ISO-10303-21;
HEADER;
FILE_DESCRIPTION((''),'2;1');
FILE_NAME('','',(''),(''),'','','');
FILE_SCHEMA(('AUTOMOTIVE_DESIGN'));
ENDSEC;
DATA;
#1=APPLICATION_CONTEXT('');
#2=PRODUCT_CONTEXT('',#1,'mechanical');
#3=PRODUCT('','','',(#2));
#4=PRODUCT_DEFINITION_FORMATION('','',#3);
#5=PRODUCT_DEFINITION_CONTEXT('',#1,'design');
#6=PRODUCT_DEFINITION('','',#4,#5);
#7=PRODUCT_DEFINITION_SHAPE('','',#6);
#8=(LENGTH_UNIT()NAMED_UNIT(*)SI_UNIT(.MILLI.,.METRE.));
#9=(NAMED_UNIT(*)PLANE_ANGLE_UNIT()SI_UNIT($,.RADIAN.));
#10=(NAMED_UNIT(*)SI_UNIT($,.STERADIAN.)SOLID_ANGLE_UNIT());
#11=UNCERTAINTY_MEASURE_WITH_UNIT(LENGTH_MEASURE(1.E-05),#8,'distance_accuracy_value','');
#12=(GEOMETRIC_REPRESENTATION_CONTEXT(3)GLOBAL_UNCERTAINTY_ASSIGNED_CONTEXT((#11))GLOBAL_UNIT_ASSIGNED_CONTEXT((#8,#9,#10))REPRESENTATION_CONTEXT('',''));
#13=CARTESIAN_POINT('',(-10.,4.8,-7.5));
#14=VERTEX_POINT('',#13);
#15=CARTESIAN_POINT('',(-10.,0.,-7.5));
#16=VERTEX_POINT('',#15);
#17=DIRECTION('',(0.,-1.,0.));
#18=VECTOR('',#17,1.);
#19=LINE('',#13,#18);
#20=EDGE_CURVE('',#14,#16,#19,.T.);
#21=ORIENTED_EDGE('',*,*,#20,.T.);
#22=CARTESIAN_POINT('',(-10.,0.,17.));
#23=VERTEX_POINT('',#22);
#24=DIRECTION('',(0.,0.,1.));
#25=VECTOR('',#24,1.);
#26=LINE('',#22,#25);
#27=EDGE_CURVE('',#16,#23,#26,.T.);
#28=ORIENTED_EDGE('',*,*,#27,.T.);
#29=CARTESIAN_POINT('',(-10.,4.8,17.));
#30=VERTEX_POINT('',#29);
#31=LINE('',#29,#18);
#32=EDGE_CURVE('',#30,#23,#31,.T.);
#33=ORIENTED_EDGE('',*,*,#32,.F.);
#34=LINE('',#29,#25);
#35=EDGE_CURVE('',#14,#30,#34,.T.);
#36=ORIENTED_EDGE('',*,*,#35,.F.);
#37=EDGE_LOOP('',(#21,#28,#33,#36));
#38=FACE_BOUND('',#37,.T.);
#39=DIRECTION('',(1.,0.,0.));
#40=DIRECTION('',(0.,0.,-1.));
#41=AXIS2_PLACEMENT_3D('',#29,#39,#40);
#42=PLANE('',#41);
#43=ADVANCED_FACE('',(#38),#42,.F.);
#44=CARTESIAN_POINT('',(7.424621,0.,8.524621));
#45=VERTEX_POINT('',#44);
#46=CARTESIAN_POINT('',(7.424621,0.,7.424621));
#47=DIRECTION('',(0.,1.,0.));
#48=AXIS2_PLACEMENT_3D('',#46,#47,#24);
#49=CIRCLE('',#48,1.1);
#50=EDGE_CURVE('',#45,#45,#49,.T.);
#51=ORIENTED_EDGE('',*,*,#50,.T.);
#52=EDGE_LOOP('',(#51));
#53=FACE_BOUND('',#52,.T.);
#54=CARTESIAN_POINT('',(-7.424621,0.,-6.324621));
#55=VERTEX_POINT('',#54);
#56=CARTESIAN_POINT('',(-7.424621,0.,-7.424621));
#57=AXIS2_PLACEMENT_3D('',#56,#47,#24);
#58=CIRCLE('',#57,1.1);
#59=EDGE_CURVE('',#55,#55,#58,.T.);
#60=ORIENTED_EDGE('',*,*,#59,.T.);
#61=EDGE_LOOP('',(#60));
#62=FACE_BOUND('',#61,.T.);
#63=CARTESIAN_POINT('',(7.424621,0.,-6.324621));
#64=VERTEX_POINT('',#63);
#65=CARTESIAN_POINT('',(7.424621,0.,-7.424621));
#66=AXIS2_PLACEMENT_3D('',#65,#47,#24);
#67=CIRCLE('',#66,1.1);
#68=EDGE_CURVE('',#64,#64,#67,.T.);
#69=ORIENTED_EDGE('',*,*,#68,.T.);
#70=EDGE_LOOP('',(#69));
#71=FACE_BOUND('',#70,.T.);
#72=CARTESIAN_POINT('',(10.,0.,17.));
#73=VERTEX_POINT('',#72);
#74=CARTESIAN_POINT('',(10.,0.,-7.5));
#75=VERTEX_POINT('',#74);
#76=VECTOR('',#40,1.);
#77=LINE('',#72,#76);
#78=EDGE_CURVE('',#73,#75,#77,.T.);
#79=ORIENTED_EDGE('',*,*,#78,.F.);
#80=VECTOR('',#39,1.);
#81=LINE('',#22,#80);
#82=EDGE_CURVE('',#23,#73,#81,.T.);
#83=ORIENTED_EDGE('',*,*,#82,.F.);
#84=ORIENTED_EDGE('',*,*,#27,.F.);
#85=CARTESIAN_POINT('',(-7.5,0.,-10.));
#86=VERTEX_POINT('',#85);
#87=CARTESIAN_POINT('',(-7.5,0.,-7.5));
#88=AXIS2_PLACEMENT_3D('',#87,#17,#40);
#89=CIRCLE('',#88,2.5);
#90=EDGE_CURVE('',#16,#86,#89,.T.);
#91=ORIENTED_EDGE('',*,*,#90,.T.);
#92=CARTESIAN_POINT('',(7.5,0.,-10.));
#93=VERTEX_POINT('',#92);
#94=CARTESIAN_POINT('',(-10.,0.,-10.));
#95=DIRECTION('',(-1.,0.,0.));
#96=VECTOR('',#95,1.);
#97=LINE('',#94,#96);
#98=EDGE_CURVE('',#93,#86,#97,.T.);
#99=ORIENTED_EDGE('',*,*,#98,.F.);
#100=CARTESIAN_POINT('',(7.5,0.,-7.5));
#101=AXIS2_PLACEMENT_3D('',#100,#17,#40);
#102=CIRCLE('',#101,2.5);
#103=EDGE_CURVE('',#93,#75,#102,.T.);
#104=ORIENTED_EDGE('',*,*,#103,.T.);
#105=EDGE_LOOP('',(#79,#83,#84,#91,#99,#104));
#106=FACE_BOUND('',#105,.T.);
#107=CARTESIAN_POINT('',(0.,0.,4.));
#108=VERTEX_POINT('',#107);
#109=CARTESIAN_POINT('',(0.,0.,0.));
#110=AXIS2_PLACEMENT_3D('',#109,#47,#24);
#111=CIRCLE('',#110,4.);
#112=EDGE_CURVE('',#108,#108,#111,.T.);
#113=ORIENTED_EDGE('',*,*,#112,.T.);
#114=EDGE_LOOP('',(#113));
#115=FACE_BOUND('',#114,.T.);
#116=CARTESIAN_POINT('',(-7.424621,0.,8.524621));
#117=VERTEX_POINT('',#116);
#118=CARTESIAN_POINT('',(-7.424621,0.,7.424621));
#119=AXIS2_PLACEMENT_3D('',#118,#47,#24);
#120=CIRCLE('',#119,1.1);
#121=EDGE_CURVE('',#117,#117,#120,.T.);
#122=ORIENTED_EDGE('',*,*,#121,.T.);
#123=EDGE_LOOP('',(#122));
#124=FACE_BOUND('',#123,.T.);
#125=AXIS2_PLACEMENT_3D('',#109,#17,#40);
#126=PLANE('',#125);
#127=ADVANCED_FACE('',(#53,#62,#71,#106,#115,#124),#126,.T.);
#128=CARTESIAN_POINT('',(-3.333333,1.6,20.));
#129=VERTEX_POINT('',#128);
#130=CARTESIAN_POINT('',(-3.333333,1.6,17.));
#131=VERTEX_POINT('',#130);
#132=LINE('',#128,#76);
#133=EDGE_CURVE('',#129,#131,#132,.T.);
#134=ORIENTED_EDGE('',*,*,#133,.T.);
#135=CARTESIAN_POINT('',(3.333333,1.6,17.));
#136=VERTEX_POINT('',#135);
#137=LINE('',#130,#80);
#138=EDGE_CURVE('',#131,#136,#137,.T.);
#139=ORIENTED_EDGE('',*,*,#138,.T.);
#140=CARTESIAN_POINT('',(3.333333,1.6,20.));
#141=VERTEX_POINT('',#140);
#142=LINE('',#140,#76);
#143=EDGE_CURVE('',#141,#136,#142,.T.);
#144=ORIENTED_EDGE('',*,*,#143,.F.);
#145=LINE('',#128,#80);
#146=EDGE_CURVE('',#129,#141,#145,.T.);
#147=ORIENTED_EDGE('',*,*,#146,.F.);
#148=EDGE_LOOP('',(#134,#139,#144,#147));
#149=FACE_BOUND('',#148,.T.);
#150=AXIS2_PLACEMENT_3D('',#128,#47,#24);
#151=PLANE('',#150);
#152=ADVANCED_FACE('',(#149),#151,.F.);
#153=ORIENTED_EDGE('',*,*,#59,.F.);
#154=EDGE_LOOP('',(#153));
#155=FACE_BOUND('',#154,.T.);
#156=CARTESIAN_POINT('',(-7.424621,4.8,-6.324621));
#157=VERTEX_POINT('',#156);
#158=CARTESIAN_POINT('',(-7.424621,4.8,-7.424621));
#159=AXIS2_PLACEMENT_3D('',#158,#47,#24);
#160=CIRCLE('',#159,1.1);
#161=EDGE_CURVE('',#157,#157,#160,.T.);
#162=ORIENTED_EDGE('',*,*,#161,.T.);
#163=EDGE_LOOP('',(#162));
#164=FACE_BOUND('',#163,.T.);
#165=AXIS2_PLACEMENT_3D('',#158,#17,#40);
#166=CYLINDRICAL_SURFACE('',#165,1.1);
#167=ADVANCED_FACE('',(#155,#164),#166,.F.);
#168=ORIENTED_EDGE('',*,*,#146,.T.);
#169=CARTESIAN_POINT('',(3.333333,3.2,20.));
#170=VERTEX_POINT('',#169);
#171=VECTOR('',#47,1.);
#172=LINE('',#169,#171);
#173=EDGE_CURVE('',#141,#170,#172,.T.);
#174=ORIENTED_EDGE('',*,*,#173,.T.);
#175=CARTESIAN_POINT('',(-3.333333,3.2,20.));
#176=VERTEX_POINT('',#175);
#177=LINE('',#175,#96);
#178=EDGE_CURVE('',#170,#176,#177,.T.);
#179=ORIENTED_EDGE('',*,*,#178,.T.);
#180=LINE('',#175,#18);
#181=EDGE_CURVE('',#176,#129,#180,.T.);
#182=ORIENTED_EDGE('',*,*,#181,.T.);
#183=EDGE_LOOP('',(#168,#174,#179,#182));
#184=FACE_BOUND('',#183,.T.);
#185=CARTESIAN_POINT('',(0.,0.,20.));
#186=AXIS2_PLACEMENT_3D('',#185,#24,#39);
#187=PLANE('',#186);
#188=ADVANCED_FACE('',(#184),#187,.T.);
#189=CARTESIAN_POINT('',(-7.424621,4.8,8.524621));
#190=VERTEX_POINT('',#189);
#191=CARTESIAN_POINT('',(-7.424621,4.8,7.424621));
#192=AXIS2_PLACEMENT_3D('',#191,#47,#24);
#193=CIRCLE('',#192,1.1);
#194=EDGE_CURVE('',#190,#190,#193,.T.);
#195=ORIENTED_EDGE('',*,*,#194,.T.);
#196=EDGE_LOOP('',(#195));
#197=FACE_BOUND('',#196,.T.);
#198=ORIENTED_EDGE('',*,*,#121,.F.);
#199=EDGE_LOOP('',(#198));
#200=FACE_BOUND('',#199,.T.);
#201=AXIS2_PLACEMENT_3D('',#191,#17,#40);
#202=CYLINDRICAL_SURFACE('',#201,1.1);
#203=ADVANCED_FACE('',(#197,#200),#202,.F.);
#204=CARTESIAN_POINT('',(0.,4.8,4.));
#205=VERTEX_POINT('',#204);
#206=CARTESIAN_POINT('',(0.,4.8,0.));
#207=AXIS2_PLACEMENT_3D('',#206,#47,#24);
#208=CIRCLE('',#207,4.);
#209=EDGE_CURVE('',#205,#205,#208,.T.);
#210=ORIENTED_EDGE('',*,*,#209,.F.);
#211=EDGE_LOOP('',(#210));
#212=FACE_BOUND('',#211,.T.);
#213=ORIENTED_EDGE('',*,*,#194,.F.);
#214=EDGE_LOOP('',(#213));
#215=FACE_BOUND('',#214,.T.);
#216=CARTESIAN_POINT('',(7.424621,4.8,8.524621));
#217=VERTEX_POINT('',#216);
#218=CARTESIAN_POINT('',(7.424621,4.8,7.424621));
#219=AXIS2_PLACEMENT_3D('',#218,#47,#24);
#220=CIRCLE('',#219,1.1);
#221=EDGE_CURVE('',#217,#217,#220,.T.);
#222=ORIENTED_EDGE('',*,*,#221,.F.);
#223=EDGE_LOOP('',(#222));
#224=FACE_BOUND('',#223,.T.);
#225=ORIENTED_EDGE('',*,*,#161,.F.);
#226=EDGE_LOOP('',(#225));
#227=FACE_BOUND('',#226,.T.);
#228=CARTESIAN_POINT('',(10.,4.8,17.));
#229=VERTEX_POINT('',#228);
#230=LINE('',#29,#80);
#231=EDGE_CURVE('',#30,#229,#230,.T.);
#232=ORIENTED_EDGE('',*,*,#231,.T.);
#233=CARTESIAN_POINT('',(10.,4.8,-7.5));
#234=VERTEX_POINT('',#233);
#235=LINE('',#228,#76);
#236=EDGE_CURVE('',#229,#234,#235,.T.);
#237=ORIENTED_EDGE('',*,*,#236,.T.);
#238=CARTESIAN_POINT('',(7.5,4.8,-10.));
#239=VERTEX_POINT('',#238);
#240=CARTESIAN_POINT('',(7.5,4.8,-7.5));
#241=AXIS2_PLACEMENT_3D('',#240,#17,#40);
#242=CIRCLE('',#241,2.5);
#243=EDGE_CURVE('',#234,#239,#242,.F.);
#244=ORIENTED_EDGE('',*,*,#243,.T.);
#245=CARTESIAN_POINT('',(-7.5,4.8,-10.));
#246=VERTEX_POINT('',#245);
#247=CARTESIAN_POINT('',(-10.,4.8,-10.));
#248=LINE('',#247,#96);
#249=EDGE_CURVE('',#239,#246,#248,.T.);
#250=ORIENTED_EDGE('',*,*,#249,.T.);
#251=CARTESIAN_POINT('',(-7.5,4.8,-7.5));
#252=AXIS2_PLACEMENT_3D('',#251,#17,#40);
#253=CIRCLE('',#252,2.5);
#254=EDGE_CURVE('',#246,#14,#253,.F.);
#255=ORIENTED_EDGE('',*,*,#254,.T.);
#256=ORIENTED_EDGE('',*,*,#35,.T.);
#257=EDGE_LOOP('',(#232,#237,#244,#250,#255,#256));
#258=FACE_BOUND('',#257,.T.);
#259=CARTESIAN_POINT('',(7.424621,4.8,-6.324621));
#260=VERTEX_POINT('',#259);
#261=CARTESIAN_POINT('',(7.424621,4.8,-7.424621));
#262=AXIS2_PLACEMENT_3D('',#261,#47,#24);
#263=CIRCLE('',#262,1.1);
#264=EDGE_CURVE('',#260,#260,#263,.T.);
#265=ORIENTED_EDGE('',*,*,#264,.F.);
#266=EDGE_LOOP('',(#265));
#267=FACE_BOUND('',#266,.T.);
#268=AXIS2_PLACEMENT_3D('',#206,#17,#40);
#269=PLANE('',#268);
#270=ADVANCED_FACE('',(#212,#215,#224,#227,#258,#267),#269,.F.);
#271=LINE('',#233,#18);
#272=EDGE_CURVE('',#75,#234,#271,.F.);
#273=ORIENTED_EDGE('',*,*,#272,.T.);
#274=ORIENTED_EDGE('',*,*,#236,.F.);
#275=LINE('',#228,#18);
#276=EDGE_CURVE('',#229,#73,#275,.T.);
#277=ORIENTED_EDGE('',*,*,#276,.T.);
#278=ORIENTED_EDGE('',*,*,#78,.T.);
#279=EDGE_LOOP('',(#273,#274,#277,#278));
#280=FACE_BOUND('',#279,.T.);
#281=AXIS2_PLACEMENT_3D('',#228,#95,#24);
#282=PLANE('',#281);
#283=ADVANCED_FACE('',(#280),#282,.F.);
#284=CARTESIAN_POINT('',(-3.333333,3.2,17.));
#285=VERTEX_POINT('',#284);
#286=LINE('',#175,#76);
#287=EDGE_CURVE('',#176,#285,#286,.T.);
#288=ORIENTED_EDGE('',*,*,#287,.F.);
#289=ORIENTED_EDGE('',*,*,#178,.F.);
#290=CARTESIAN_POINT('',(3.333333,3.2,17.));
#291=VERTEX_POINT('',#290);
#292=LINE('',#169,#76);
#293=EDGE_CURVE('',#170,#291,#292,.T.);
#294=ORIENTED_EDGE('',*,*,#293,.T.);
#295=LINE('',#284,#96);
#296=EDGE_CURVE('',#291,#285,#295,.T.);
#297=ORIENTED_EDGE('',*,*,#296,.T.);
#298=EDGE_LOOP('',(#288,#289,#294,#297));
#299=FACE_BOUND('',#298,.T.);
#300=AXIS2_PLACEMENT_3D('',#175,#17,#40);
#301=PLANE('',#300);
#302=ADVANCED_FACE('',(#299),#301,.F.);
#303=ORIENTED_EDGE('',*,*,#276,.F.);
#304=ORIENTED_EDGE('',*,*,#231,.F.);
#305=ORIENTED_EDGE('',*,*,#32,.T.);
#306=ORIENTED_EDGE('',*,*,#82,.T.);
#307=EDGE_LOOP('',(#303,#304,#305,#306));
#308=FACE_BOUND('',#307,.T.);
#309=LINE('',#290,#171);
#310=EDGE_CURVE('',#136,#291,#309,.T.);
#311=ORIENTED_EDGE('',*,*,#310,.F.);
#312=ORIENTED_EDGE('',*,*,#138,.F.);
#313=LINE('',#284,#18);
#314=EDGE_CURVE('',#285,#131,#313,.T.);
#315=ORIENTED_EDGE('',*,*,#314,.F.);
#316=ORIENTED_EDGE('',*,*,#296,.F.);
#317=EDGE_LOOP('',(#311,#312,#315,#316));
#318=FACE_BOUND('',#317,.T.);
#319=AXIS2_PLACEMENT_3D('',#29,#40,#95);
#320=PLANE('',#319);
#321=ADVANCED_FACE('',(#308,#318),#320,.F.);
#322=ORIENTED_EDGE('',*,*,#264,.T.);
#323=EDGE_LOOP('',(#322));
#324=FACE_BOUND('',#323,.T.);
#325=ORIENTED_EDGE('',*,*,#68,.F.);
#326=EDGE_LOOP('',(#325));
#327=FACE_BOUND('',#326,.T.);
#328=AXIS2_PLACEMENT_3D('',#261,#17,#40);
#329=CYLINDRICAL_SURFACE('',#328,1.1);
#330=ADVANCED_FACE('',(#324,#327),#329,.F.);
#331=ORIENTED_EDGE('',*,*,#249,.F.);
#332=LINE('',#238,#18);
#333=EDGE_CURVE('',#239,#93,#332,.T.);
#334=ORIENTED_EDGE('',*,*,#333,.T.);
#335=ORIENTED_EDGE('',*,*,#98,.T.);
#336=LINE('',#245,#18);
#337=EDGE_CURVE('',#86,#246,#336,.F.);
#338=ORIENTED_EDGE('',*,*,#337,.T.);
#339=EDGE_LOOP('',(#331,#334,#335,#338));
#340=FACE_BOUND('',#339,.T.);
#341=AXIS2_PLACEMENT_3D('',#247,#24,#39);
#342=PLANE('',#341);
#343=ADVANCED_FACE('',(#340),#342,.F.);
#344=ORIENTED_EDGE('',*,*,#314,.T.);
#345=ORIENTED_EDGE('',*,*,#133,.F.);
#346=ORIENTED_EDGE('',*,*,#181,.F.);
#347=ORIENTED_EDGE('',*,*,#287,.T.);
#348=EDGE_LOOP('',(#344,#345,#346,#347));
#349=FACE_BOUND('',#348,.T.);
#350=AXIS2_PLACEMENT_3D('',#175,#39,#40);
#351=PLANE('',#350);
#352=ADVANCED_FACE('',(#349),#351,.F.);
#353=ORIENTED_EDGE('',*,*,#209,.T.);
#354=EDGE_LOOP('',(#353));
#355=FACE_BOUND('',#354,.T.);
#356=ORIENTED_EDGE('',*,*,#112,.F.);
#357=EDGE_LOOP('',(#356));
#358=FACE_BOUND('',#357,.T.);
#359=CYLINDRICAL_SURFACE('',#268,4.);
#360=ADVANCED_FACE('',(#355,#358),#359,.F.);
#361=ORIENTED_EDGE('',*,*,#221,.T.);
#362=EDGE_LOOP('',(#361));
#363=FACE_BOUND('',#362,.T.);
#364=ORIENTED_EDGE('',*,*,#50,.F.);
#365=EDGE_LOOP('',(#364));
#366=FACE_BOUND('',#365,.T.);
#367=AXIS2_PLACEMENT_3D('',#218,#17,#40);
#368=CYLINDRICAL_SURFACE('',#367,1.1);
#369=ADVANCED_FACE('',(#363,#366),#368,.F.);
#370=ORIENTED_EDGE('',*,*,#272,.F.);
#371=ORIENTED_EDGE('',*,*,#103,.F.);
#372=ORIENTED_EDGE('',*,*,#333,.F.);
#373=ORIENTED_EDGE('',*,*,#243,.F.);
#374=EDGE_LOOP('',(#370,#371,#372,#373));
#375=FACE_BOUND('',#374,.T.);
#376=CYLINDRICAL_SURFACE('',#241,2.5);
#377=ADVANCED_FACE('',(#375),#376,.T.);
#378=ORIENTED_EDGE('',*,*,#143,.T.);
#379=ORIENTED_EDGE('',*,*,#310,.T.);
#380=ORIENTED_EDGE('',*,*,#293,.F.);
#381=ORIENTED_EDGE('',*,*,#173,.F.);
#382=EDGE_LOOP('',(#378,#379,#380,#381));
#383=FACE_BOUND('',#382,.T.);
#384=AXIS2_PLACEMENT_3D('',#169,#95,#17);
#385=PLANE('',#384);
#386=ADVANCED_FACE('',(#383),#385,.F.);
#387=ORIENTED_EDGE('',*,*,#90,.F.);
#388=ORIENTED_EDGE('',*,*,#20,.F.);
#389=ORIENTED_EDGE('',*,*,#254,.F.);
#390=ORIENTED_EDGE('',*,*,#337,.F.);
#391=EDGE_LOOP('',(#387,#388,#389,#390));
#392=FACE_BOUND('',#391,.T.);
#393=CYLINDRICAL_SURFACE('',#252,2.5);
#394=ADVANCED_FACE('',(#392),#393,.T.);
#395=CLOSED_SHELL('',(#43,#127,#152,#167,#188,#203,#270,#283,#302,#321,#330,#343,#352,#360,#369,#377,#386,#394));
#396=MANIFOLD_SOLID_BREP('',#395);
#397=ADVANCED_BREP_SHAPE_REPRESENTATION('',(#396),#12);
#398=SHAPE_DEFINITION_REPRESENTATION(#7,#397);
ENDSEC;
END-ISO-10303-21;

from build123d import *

# Parameters (mm, degrees)
SKETCH_1_W      = 20
SKETCH_1_H      = 27
SKETCH_1_R      = 1.1
SKETCH_1_R_2    = 4
EXTRUDE_1_DEPTH = 4.8
FILLET_3_R      = 2.5
FILLET_4_R      = 2.5
SKETCH_2_W      = 6.666666666
SKETCH_2_H      = 1.6
EXTRUDE_2_DEPTH = 3


with BuildPart() as part:
    # 草图1 → 凸台-拉伸1 (new body)
    with BuildSketch(Plane(origin=(0, 0, 0), x_dir=(1, 0, 0), z_dir=(0, 1, 0))):
        with Locations((0, -3.5)):
            Rectangle(SKETCH_1_W, SKETCH_1_H)
        with Locations(Location((7.424621202, 7.424621202, 0), (0, 0, 270))):
            Circle(SKETCH_1_R, mode=Mode.SUBTRACT)
        with Locations(Location((7.424621202, -7.424621202, 0), (0, 0, 270))):
            Circle(SKETCH_1_R, mode=Mode.SUBTRACT)
        with Locations(Location((-7.424621202, -7.424621202, 0), (0, 0, 270))):
            Circle(SKETCH_1_R, mode=Mode.SUBTRACT)
        with Locations(Location((-7.424621202, 7.424621202, 0), (0, 0, 270))):
            Circle(SKETCH_1_R, mode=Mode.SUBTRACT)
        with Locations(Location((0, 0, 0), (0, 0, 270))):
            Circle(SKETCH_1_R_2, mode=Mode.SUBTRACT)
    extrude(amount=EXTRUDE_1_DEPTH)

    # 圆角3
    fillet_3_edges = [part.edges().sort_by_distance(p)[0] for p in [
        (-10, 2.4, -10),
    ]]
    fillet(fillet_3_edges, radius=FILLET_3_R)

    # 圆角4
    fillet_4_edges = [part.edges().sort_by_distance(p)[0] for p in [
        (10, 2.4, -10),
    ]]
    fillet(fillet_4_edges, radius=FILLET_4_R)

    # 草图2 → 凸台-拉伸2 (add)
    with BuildSketch(Plane.XY.offset(17)):
        with Locations((0, 2.4)):
            Rectangle(SKETCH_2_W, SKETCH_2_H)
    extrude(amount=EXTRUDE_2_DEPTH)


solid = part.part
